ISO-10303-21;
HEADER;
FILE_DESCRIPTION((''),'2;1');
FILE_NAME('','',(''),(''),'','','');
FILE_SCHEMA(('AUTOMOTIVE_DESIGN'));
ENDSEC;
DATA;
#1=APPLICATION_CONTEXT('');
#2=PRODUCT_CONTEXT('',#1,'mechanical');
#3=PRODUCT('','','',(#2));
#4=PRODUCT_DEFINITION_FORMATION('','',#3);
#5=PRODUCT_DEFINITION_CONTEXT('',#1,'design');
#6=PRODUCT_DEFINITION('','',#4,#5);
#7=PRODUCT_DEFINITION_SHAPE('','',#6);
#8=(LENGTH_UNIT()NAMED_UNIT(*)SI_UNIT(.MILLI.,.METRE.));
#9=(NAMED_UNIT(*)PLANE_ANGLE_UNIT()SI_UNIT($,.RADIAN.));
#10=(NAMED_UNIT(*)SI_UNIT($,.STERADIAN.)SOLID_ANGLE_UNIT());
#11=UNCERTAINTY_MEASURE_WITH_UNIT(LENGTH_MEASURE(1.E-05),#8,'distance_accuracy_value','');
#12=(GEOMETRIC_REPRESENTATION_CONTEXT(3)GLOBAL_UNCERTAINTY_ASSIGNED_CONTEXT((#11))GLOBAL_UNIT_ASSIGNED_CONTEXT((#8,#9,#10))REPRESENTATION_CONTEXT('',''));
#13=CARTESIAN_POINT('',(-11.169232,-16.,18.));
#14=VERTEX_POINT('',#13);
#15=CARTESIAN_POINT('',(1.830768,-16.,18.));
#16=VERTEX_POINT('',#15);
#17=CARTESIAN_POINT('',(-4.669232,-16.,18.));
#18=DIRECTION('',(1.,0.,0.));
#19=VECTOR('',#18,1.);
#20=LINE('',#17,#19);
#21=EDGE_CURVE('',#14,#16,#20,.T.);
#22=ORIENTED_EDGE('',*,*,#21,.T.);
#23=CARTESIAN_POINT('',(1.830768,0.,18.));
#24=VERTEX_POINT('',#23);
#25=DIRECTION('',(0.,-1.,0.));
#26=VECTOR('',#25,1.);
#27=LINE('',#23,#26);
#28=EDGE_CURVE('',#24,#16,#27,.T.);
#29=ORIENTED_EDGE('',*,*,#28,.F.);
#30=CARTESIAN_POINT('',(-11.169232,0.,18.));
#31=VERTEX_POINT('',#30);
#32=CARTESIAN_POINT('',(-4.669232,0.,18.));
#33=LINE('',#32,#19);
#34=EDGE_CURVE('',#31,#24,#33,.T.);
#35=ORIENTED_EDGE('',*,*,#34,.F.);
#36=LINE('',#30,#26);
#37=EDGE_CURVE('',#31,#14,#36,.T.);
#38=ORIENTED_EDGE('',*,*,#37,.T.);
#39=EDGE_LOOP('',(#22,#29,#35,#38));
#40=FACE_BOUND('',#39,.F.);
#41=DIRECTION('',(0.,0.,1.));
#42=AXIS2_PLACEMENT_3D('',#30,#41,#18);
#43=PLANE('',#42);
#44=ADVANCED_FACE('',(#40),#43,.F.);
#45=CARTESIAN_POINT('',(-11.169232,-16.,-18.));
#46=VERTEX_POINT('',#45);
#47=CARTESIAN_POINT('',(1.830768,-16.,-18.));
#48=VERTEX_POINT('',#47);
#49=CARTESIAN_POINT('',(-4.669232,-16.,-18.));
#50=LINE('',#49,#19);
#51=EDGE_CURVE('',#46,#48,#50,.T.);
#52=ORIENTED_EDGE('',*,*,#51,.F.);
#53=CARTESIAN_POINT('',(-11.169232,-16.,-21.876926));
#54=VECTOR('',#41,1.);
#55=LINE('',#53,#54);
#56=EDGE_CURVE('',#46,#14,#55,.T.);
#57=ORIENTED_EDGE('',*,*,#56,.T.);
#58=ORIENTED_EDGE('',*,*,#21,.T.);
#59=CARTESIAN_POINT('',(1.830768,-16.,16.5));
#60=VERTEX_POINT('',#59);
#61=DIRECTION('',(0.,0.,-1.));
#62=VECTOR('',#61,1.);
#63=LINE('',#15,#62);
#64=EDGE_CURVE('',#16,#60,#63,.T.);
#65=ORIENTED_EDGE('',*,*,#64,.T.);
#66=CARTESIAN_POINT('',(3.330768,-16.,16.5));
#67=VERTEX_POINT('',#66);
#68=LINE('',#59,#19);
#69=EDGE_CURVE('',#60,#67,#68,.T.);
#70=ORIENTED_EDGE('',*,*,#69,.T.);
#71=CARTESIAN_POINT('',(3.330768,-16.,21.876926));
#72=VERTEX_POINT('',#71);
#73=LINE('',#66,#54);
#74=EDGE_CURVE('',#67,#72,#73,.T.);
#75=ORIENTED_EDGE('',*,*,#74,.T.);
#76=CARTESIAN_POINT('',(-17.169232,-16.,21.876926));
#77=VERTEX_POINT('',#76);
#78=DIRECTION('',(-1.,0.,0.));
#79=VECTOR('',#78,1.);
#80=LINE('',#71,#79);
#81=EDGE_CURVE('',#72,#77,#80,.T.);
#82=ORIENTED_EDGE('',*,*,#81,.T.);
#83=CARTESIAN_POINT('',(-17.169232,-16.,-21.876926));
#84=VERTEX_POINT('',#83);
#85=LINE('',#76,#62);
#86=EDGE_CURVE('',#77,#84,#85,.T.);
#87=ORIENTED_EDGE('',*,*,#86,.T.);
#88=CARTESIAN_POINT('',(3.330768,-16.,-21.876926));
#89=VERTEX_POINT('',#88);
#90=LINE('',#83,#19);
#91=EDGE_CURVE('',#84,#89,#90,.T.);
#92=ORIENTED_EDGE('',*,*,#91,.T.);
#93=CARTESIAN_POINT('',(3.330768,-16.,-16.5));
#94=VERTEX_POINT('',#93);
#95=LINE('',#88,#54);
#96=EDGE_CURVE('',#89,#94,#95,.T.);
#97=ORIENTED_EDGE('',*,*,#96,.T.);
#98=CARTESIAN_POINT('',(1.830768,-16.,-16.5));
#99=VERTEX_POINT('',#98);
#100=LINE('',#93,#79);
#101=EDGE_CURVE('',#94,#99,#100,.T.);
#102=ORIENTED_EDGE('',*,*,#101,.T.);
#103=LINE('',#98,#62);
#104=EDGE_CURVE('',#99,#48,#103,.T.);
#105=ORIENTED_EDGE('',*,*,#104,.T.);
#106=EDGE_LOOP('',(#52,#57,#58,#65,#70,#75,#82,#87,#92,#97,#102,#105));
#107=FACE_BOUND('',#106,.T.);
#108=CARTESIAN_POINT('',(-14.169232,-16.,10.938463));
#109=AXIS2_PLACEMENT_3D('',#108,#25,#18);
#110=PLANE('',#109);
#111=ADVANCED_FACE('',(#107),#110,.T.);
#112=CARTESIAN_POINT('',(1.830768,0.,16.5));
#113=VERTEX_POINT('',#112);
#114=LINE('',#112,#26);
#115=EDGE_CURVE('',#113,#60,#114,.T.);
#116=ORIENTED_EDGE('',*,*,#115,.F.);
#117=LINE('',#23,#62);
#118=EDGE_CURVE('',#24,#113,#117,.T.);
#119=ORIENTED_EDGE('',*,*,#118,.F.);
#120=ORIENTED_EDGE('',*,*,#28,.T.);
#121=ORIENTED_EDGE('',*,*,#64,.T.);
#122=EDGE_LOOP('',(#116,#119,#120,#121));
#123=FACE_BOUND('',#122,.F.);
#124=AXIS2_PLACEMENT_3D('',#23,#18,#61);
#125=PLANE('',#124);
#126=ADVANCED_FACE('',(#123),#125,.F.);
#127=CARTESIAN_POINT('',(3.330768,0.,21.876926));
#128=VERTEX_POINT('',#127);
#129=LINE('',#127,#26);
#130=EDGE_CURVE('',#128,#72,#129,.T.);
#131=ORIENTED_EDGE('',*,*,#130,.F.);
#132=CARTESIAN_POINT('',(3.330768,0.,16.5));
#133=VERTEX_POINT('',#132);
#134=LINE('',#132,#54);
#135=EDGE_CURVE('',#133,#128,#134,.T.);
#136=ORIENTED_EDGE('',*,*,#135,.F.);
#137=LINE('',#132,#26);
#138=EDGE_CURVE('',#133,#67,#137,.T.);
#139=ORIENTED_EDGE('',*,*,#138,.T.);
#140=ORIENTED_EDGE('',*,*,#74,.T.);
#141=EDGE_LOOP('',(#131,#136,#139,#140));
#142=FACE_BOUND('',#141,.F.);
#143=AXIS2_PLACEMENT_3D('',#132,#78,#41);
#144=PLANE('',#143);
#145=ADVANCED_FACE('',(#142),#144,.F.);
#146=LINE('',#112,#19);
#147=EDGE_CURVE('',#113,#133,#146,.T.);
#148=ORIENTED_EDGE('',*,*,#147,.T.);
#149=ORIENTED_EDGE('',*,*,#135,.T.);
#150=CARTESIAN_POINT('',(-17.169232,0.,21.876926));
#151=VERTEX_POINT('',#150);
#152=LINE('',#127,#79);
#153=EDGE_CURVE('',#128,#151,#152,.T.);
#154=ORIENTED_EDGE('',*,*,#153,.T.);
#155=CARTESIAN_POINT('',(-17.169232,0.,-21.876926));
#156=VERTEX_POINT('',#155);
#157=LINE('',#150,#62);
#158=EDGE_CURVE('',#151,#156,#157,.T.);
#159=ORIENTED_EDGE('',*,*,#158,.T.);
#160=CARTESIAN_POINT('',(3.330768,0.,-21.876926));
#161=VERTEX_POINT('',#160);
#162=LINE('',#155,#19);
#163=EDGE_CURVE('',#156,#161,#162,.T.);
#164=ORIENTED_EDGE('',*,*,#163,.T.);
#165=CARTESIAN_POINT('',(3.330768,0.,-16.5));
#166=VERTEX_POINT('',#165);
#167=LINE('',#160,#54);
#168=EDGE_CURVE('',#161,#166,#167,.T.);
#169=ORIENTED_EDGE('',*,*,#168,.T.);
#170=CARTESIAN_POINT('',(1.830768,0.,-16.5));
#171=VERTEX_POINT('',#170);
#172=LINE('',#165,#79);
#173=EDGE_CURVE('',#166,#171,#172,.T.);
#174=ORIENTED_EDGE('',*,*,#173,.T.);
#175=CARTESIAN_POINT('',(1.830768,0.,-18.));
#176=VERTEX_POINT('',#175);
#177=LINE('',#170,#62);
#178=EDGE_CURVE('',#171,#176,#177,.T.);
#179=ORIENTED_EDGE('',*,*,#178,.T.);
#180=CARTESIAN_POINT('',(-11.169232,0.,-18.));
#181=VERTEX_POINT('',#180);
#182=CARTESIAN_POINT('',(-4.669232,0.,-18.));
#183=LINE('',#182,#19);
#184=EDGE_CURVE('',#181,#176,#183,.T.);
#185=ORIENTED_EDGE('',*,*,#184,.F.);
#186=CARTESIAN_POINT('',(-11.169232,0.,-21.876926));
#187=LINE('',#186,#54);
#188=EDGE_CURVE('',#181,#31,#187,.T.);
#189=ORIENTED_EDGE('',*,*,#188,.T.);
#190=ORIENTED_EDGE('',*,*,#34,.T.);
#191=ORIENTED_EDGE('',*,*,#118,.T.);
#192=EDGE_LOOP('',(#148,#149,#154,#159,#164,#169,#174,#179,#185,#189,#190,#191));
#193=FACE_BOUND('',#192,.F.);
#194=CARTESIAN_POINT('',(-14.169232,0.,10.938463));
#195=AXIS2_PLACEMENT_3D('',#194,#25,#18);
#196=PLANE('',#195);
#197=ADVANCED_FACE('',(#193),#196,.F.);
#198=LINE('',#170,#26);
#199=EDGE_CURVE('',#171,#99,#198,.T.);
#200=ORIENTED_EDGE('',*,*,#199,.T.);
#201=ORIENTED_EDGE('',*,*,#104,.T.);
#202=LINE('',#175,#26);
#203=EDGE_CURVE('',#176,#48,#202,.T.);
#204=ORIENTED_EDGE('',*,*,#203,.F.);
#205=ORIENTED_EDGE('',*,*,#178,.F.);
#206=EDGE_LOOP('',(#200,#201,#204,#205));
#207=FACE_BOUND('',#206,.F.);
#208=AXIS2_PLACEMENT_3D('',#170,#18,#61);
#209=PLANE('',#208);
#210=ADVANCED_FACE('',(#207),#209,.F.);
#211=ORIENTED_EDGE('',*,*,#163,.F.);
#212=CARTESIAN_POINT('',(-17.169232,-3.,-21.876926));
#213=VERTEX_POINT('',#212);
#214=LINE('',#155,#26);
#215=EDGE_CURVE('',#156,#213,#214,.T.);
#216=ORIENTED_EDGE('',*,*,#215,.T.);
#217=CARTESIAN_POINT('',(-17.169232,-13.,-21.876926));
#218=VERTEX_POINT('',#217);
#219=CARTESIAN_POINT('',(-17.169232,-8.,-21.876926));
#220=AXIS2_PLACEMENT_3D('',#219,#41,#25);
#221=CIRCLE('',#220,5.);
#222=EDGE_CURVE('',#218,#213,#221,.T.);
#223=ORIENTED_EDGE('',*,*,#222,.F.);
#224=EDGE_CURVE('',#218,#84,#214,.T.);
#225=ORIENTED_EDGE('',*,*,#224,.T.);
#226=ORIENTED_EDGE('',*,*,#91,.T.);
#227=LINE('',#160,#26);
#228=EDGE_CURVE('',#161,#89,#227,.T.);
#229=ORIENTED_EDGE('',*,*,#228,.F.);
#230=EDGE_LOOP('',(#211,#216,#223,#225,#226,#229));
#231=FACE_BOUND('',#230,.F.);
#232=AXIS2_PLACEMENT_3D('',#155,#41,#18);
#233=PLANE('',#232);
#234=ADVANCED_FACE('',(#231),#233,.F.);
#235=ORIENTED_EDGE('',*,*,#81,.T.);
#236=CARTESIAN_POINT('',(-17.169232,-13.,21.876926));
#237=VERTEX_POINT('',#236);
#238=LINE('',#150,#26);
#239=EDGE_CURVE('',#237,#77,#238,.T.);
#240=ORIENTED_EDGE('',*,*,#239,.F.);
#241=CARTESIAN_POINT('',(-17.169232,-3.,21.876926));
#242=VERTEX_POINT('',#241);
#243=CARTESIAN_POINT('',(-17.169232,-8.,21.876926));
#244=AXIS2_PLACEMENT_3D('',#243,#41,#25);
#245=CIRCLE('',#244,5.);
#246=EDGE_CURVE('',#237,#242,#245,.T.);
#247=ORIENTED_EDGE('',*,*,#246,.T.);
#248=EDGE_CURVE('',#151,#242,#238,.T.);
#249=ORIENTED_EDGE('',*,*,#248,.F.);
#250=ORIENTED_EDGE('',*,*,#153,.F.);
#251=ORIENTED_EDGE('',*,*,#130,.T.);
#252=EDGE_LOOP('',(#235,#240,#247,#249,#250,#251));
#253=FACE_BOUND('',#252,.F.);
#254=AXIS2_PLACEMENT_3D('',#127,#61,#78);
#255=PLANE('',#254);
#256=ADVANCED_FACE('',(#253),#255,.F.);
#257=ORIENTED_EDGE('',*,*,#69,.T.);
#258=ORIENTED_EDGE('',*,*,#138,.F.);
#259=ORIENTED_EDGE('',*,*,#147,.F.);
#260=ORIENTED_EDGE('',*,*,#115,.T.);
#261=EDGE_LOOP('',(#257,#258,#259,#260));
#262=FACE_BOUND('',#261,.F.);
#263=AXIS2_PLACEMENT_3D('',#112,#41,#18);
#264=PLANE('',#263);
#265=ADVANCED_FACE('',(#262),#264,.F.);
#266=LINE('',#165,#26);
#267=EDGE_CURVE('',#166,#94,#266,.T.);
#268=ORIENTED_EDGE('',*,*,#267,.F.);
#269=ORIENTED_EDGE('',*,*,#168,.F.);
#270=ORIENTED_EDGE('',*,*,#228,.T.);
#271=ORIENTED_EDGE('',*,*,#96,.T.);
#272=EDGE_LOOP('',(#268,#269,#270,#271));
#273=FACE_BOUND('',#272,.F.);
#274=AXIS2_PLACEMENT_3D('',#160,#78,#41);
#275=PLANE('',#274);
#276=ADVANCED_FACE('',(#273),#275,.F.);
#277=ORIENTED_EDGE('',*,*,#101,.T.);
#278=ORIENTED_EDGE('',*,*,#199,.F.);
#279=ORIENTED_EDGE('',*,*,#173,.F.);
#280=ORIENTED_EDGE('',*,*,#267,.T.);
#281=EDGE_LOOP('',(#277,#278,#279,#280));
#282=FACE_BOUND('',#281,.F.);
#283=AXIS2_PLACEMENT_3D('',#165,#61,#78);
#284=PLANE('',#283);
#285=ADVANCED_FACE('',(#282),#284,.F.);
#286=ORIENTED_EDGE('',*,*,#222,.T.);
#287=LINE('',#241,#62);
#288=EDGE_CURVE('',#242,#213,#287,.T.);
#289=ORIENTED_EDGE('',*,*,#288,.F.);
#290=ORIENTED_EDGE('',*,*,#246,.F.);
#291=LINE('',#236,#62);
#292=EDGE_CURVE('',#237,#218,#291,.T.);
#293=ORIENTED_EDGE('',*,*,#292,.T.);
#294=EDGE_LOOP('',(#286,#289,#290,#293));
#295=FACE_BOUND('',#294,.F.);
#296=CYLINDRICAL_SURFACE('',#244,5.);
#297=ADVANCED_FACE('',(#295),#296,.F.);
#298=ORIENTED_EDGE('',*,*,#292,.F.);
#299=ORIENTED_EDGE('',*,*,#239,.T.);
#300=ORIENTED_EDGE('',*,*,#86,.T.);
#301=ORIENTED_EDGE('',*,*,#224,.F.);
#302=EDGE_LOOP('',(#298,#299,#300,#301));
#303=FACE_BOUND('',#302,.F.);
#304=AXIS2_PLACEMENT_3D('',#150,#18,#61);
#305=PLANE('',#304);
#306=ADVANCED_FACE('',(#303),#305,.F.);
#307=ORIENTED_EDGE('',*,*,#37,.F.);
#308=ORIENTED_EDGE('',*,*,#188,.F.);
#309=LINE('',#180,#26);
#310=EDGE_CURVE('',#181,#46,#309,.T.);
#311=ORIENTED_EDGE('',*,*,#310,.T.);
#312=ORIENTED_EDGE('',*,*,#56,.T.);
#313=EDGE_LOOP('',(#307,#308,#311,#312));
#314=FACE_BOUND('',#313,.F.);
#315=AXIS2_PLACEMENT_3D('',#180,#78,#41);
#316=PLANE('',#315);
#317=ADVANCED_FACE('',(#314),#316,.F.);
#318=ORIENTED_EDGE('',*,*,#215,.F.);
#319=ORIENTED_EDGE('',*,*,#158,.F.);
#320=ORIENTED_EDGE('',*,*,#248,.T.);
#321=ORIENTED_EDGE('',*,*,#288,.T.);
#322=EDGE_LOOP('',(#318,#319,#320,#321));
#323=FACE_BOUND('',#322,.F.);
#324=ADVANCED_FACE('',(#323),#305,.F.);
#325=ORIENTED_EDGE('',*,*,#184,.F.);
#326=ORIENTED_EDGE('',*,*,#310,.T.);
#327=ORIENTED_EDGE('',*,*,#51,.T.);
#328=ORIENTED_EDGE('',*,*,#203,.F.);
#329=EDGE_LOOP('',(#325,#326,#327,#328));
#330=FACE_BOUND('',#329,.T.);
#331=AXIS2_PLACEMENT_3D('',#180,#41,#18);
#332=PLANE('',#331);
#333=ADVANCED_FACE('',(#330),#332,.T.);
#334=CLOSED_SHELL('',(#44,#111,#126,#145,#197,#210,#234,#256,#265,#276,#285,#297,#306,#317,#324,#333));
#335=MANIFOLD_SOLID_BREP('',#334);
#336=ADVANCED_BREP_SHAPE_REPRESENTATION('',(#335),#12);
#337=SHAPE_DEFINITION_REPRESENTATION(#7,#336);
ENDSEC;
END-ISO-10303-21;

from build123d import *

# Parameters (mm, degrees)
F0_W     = 13
F0_H     = 3.876926
F1_DEPTH = 16
F3_DEPTH = 100


with BuildPart() as f1:
    # F0 (on Front) → F1 (new body)
    with BuildSketch(Plane.XZ):
        Polygon((-11.169232, 21.876926), (-17.169232, 21.876926), (-17.169232, 0), (-11.169232, 0), (-11.169232, 18), align=None)
        with Locations((-4.669232, 19.938463)):
            Rectangle(F0_W, F0_H)
        Polygon((-11.169232, 0), (-17.169232, 0), (-17.169232, -21.876926), (-11.169232, -21.876926), (-11.169232, -18), align=None)
        Polygon((3.330768, 21.876926), (1.830768, 21.876926), (1.830768, 18), (1.830768, 16.5), (3.330768, 16.5), align=None)
        with Locations((-4.669232, -19.938463)):
            Rectangle(F0_W, F0_H)
        Polygon((1.830768, -16.5), (1.830768, -18), (1.830768, -21.876926), (3.330768, -21.876926), (3.330768, -16.5), align=None)
    extrude(amount=F1_DEPTH)

    # F2 (on face) → F3 (cut)
    with BuildSketch(Plane.XY.offset(21.876926)):
        with BuildLine():
            ThreePointArc((-17.169232, -13), (-12.169232, -8), (-17.169232, -3))
            Line((-17.169232, -3), (-17.169232, -13))
        make_face()
    extrude(amount=-F3_DEPTH, mode=Mode.SUBTRACT)


solid = f1.part
